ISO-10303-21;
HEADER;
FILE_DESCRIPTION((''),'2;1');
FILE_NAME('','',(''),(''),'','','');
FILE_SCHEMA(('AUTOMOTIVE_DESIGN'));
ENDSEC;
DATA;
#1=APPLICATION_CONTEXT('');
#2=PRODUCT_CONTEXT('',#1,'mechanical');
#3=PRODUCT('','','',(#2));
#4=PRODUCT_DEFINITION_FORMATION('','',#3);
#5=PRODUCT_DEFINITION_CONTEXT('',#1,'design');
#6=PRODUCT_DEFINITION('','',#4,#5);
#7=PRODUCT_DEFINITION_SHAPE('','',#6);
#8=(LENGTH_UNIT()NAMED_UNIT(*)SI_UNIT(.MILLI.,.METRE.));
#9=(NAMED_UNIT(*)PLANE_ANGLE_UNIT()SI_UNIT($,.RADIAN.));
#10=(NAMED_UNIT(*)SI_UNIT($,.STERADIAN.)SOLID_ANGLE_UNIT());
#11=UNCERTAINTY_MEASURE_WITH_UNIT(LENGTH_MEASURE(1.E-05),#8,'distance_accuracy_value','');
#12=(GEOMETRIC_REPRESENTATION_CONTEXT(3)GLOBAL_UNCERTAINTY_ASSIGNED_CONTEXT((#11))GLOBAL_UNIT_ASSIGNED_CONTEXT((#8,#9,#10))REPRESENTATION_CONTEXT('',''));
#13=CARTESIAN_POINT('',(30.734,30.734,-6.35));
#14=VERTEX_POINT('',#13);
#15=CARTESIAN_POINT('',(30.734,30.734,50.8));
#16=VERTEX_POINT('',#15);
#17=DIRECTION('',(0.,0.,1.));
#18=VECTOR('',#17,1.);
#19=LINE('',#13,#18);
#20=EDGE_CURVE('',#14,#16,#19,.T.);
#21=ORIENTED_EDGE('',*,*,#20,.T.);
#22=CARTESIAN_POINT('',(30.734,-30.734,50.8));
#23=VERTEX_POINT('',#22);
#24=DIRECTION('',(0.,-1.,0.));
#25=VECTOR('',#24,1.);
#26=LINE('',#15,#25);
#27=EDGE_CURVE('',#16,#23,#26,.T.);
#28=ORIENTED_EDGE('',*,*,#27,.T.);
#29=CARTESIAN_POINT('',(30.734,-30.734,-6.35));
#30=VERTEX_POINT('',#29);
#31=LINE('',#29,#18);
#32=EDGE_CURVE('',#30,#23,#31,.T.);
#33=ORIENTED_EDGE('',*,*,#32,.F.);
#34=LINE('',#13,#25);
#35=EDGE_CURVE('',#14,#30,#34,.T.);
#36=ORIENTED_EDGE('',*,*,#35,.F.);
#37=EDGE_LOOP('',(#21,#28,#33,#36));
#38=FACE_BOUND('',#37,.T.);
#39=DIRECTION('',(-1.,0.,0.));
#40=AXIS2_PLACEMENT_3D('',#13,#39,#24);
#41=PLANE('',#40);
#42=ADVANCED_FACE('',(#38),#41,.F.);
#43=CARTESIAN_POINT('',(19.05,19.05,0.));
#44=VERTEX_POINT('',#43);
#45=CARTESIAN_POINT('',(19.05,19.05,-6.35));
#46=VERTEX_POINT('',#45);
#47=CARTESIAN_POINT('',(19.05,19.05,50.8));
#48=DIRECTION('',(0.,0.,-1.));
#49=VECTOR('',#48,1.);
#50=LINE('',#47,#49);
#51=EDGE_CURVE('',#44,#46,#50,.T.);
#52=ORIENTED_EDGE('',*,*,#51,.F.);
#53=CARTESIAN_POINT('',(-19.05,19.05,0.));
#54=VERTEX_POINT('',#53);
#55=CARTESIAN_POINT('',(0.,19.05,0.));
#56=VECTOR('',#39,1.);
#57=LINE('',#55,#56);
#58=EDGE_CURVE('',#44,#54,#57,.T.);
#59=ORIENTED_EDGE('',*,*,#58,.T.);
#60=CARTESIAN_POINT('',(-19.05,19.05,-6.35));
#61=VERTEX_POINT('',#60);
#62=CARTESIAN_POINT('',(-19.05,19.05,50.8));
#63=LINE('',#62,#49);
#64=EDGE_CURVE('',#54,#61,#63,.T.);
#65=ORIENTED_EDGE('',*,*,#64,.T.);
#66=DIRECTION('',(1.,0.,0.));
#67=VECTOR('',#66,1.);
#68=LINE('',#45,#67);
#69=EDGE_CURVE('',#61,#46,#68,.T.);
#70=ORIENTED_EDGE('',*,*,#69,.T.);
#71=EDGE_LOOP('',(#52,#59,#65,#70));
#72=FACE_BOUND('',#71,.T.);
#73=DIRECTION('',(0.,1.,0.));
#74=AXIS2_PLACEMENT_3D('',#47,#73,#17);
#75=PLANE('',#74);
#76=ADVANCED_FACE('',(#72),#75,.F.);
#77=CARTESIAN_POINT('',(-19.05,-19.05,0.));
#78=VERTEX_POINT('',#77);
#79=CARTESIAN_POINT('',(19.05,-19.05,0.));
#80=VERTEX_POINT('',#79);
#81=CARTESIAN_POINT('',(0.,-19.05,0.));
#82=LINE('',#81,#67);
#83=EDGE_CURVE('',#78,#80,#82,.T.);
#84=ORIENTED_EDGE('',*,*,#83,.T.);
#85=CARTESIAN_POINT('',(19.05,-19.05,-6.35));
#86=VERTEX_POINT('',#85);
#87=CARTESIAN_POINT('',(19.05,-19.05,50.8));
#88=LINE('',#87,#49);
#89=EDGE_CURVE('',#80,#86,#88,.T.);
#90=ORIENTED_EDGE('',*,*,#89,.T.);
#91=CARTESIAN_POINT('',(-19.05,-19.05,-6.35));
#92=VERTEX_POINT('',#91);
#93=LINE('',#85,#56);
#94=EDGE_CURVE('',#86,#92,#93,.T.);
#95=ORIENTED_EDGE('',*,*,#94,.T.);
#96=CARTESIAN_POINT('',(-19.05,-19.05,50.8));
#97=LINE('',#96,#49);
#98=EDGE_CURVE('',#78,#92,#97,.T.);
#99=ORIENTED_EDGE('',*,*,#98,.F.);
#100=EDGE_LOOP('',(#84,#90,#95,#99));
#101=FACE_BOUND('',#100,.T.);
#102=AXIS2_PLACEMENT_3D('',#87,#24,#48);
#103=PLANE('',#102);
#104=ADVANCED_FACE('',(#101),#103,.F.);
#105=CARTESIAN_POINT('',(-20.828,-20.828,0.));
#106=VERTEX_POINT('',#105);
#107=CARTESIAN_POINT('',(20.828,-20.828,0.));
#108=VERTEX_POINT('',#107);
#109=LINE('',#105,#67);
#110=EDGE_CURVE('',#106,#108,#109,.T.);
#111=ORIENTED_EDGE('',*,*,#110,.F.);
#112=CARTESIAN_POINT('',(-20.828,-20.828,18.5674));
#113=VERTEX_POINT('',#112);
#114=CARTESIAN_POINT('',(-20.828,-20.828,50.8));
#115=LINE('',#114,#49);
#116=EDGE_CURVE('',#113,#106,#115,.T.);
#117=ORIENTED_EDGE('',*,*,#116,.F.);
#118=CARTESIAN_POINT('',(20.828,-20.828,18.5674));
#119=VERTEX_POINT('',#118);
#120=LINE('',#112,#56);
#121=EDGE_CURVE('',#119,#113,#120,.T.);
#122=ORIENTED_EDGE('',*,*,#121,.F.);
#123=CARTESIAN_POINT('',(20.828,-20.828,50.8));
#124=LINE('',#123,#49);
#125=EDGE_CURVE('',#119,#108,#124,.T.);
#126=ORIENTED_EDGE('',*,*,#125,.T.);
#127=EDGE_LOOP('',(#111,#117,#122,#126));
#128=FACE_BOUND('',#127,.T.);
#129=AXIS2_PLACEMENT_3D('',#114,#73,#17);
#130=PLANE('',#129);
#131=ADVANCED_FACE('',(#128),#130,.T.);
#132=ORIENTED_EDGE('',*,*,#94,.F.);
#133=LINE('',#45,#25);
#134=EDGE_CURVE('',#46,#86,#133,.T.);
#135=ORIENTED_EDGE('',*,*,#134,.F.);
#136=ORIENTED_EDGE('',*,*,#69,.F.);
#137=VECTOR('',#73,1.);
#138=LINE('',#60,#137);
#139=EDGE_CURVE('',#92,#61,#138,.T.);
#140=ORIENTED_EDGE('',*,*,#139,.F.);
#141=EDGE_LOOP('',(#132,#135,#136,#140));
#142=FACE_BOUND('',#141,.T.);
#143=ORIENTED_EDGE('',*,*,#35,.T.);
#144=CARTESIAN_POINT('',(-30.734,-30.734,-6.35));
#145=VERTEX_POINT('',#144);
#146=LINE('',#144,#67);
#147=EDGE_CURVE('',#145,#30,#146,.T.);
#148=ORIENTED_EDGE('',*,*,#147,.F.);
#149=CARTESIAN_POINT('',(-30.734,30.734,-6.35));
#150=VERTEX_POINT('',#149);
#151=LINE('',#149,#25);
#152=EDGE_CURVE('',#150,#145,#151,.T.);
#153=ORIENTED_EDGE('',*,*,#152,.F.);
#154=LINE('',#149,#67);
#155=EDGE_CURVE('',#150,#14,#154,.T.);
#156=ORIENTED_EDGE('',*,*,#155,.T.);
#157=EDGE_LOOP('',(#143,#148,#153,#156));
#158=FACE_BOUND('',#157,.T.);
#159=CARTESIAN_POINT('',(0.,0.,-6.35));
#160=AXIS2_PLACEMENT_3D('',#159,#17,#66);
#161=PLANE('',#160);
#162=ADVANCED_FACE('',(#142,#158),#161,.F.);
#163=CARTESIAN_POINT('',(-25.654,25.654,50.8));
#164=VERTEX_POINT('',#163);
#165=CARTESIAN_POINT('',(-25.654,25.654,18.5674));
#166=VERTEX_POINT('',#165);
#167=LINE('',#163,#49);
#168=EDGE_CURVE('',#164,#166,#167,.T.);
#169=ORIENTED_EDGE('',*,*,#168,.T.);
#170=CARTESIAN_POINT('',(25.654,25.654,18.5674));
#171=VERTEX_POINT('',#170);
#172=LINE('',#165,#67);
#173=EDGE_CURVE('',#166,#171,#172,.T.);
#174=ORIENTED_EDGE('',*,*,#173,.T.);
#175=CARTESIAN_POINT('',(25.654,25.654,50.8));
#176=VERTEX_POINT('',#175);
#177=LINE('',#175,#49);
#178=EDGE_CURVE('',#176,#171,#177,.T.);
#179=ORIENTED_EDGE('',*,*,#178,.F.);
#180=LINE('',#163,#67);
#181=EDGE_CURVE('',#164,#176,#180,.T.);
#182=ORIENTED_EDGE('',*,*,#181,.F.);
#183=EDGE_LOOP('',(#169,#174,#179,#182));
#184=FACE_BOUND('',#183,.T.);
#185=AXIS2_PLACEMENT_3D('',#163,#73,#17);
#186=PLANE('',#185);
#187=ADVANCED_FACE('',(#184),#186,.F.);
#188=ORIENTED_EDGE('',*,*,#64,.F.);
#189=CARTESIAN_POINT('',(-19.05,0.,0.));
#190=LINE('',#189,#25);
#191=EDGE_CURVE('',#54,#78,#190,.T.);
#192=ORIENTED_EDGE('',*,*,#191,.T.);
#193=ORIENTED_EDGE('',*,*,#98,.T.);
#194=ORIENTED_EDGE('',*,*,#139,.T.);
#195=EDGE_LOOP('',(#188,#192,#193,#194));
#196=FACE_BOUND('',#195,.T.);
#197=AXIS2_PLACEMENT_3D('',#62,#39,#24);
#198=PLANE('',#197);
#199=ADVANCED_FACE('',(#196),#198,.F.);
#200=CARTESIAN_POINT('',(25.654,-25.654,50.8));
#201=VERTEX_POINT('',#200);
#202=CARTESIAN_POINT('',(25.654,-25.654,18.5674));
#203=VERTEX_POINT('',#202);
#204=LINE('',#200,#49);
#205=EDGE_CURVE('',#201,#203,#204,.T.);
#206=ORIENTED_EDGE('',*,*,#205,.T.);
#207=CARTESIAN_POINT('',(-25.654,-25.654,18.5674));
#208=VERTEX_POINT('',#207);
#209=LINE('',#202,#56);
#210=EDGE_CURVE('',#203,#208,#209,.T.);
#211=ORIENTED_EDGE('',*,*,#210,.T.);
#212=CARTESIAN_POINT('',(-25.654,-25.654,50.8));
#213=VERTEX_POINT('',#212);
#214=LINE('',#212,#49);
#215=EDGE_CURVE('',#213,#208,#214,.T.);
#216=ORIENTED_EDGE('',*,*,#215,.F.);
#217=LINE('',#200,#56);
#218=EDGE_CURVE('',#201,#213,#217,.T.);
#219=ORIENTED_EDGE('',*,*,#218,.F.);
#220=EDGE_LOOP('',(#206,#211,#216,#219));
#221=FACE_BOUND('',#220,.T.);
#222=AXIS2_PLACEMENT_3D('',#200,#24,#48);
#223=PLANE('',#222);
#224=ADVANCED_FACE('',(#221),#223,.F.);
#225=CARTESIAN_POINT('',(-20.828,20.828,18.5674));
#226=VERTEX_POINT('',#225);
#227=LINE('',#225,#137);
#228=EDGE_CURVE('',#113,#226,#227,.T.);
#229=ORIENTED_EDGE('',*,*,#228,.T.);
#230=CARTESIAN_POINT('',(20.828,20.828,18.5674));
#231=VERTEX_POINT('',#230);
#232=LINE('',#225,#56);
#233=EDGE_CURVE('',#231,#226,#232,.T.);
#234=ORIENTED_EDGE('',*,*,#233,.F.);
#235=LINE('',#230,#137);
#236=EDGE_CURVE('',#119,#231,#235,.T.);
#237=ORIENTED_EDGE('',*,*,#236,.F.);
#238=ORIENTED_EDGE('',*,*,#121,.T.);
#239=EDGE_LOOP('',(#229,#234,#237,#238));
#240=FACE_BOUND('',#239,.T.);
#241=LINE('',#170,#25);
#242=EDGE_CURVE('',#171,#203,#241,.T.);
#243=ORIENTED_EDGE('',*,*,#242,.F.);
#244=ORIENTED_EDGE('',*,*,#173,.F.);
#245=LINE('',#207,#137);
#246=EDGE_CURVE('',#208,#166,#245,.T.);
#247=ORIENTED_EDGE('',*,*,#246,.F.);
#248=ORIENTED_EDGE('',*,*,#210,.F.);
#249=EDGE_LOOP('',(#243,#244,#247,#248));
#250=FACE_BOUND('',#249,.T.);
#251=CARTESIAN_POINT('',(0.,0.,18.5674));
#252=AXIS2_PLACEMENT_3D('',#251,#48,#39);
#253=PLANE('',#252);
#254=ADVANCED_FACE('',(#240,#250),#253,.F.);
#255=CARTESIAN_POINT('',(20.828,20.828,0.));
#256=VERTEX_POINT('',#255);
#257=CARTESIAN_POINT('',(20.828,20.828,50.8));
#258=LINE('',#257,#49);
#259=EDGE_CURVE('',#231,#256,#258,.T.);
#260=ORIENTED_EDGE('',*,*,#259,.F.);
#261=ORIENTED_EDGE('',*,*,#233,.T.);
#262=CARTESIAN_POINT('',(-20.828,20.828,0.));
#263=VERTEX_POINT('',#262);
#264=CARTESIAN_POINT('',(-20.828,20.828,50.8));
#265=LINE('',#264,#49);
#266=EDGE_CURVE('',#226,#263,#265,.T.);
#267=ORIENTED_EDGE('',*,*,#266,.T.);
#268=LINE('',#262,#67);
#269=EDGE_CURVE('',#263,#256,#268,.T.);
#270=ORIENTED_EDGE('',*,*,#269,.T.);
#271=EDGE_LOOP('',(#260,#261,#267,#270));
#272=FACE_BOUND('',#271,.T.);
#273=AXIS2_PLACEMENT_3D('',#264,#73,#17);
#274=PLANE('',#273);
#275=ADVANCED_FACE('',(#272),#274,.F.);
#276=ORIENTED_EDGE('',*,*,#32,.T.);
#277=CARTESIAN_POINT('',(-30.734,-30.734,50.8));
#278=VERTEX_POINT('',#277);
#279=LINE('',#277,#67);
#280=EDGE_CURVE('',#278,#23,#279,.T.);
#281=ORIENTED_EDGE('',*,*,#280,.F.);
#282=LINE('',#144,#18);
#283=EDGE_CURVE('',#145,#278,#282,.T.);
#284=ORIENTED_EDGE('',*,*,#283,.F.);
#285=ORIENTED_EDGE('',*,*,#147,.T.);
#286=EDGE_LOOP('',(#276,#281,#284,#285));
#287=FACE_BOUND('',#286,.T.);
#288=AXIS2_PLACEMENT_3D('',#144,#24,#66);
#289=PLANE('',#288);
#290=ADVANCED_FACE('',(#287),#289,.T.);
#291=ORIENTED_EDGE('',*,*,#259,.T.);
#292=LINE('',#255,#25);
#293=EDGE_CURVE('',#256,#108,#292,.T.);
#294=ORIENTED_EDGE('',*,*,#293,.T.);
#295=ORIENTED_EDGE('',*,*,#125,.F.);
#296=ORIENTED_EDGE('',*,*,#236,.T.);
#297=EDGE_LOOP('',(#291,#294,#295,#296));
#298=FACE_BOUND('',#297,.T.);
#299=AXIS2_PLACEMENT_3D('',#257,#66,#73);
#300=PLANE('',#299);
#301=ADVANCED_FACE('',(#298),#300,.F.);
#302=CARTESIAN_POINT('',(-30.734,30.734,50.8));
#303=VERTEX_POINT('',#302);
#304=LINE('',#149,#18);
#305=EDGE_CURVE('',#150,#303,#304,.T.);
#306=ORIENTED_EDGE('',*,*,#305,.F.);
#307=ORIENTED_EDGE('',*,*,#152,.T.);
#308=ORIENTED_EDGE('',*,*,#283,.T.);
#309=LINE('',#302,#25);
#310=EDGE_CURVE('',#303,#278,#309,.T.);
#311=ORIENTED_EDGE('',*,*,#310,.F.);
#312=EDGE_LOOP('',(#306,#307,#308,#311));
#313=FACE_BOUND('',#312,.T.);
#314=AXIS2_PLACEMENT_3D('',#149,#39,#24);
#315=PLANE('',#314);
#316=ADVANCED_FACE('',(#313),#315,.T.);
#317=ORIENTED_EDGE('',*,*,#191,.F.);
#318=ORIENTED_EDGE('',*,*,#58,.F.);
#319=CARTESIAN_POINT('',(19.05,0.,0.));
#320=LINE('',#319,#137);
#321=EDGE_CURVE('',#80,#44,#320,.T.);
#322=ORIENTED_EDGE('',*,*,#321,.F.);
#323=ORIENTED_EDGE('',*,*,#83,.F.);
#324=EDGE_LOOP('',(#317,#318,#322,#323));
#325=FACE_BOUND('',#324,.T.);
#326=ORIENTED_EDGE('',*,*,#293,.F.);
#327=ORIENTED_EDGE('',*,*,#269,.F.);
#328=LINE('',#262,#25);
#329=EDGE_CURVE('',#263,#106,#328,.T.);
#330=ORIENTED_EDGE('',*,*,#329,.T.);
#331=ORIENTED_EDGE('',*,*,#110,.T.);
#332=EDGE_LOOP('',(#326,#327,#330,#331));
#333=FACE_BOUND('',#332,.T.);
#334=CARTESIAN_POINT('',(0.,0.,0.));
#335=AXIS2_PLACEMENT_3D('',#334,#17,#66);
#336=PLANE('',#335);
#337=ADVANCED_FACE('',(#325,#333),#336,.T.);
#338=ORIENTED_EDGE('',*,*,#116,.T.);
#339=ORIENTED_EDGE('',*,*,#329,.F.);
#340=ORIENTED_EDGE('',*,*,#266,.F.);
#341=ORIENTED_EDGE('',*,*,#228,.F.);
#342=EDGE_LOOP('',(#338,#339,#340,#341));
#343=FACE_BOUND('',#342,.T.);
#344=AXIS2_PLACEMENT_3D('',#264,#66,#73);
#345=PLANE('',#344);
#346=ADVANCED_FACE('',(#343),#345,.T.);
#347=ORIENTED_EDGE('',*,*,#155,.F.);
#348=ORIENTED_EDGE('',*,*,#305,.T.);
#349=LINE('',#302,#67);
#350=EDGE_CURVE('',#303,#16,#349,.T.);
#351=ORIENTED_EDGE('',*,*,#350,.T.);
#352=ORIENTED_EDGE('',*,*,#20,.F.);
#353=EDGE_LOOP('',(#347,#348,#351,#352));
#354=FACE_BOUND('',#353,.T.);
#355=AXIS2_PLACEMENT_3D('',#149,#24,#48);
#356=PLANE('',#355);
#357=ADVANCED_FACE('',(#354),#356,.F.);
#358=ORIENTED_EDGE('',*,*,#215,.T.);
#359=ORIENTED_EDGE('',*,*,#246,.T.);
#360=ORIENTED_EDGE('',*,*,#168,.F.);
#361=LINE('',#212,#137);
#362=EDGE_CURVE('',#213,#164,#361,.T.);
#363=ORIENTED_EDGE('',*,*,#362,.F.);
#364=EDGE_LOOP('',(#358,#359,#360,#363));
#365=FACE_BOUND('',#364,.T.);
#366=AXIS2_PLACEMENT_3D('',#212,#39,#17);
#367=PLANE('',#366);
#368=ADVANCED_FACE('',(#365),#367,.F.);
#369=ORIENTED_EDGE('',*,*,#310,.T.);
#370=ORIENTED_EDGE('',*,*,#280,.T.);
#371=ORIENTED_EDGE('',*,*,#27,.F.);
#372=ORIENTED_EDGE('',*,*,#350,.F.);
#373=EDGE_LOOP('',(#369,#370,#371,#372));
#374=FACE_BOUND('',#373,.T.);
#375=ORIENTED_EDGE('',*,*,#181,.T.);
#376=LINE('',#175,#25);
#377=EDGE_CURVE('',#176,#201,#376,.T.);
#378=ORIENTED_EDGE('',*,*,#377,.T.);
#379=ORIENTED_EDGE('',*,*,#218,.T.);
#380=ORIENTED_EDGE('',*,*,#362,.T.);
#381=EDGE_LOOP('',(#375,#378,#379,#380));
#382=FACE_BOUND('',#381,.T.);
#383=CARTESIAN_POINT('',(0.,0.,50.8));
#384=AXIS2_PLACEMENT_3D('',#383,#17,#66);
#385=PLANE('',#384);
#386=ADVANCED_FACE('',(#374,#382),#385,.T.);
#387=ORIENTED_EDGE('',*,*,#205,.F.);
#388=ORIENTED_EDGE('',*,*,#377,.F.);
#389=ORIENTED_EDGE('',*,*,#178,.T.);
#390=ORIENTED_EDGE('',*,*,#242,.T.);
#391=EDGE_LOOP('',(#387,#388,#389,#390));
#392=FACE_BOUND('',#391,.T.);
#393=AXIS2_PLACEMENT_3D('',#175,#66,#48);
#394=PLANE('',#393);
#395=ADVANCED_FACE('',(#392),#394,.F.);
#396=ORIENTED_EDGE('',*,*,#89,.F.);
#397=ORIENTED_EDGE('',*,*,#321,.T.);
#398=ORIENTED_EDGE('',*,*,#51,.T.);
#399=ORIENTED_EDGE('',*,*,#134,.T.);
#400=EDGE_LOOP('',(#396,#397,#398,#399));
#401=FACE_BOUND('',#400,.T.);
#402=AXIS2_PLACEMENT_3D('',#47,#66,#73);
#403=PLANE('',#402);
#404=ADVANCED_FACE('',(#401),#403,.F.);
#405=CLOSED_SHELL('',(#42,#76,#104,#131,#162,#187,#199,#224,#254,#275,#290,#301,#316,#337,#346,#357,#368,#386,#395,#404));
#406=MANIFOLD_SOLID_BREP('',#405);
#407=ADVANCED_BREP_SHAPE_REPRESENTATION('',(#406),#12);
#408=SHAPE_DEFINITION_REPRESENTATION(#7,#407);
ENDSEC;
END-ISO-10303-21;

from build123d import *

# Parameters (mm, degrees)
BOSS_EXTRUDE1_DEPTH      = 50.8
BOSS_EXTRUDE1_DEPTH_BACK = 6.35
SKETCH1_W                = 61.468
SKETCH1_H                = 61.468
SKETCH1_3_W              = 41.656
SKETCH1_3_H              = 41.656
CUT_EXTRUDE1_DEPTH       = 67.856544272
SKETCH5_W                = 38.1
SKETCH5_H                = 38.1
CUT_EXTRUDE3_DEPTH       = 72.800278635
SKETCH7_W                = 51.308
SKETCH7_H                = 51.308
CUT_EXTRUDE4_DEPTH       = 55.111902709


with BuildPart() as part:
    # Sketch1 → Boss-Extrude1 (new, two sides: drawn at the far end of the back side and taken through both)
    with BuildSketch(Plane.XY.offset(-BOSS_EXTRUDE1_DEPTH_BACK)):
        Rectangle(SKETCH1_W, SKETCH1_H)
    extrude(amount=BOSS_EXTRUDE1_DEPTH + BOSS_EXTRUDE1_DEPTH_BACK)

    # Sketch1<3> → Cut-Extrude1 (cut, through all)
    with BuildSketch(Plane.XY):
        Rectangle(SKETCH1_3_W, SKETCH1_3_H)
    extrude(amount=CUT_EXTRUDE1_DEPTH, mode=Mode.SUBTRACT)

    # Sketch5 → Cut-Extrude3 (cut, through all)
    with BuildSketch(Plane(origin=(0, 0, -6.35), x_dir=(-1, 0, 0), z_dir=(0, 0, -1))):
        Rectangle(SKETCH5_W, SKETCH5_H)
    extrude(amount=-CUT_EXTRUDE3_DEPTH, mode=Mode.SUBTRACT)

    # Sketch7 → Cut-Extrude4 (cut, through all)
    with BuildSketch(Plane(origin=(0, 0, 18.5674), x_dir=(-1, 0, 0), z_dir=(0, 0, -1))):
        Rectangle(SKETCH7_W, SKETCH7_H)
    extrude(amount=-CUT_EXTRUDE4_DEPTH, mode=Mode.SUBTRACT)


solid = part.part
